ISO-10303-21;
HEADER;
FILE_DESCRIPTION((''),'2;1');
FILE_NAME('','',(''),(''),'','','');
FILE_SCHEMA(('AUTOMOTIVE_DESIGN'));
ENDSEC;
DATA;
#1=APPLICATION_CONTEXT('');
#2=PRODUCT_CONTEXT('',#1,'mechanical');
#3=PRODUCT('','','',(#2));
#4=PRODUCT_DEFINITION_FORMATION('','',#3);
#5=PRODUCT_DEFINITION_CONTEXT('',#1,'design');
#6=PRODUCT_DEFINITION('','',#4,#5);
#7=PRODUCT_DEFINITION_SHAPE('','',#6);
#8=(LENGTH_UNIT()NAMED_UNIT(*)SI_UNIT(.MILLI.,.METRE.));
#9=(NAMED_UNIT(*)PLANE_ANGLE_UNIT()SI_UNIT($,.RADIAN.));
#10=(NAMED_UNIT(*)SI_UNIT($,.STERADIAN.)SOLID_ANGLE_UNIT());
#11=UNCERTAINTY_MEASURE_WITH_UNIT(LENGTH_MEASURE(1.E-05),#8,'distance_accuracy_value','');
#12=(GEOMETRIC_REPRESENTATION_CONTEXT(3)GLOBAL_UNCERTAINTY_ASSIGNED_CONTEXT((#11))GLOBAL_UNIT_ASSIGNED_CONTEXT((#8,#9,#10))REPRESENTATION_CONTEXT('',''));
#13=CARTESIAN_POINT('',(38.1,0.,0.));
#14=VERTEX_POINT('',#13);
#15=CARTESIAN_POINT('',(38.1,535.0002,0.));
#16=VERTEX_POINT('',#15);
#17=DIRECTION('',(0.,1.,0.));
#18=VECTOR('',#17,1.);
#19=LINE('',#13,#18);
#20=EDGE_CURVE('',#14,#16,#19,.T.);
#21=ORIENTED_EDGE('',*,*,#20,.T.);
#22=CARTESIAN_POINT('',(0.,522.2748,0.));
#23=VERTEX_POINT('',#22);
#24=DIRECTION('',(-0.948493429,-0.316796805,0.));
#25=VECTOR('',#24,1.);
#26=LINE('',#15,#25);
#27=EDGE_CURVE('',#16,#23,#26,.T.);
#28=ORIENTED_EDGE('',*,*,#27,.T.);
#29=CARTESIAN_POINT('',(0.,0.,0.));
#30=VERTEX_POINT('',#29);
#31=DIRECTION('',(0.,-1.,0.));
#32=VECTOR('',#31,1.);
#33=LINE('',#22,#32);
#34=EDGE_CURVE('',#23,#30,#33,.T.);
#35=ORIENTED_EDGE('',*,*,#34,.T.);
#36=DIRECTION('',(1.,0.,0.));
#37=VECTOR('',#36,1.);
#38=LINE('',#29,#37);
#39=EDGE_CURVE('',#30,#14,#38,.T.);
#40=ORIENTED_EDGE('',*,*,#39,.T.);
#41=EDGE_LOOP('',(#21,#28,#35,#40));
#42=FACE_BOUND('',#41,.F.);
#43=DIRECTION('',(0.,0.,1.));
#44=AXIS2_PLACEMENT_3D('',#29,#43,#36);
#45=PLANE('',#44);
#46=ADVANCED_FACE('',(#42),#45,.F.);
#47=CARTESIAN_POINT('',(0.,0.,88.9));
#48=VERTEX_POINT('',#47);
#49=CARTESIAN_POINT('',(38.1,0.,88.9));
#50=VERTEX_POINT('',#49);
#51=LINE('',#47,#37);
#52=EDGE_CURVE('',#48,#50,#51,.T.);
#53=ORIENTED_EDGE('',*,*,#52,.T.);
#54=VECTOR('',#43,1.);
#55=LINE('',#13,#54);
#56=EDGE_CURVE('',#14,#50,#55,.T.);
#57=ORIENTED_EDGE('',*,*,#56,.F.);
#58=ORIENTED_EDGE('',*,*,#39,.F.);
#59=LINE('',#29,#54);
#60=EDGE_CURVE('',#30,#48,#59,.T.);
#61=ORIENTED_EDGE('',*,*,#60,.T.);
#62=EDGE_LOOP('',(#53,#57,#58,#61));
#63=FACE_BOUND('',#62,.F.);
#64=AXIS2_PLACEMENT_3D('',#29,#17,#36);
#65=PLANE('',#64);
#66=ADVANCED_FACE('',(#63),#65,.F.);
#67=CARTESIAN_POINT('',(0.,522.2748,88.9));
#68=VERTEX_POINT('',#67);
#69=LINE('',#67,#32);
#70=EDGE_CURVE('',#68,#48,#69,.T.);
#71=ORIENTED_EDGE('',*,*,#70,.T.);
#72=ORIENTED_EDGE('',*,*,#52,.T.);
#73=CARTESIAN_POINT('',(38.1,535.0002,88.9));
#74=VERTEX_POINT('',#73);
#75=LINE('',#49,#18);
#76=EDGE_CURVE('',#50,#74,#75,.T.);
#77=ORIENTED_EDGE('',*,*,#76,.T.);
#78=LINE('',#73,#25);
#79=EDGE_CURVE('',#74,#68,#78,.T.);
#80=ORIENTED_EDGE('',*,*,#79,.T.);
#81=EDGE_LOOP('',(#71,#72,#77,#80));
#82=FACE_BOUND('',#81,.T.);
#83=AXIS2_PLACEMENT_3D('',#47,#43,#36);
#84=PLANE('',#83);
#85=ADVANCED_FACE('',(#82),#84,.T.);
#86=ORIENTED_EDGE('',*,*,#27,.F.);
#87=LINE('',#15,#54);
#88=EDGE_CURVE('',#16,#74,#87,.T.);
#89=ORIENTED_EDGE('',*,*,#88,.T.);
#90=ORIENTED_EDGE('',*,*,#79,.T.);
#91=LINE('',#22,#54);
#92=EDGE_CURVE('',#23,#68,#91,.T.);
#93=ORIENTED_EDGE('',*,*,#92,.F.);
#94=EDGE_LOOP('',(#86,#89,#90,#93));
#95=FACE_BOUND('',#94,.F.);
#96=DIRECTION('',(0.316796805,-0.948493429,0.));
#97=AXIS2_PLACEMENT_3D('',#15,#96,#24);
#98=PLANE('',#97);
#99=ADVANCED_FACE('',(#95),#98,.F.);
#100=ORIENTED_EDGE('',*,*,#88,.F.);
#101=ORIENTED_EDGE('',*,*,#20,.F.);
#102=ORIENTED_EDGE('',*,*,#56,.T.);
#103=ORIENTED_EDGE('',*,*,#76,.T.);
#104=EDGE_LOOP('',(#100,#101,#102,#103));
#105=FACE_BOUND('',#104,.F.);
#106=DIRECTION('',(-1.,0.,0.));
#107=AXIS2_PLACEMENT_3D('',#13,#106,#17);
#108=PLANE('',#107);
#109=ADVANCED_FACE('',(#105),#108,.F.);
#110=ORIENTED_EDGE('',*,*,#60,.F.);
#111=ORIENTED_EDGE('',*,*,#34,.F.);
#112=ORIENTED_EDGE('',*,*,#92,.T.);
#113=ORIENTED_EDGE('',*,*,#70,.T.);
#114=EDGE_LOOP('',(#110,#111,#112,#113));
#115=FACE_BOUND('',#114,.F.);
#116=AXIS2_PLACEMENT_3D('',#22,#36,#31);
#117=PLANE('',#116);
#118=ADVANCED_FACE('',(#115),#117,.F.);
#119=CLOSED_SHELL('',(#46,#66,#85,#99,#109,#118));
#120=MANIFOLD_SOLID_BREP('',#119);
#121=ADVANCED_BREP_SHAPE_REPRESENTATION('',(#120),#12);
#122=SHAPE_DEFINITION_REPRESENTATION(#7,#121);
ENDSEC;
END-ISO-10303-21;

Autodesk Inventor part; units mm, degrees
ref_plane "YZ Plane" through (0, 0, 0) normal (1, 0, 0) x (0, 1, 0)
ref_plane "XZ Plane" through (0, 0, 0) normal (0, 1, 0) x (-1, 0, 0)
ref_plane "XY Plane" through (0, 0, 0) normal (0, 0, 1) x (1, 0, 0)
sketch "Sketch1" plane through (0, 0, 0) normal (0, 0, 1) x (1, 0, 0)
  line L0 (0, 0) -> (38.1, 0)
  line L1 (38.1, 0) -> (38.1, 535.0002)
  line L2 (38.1, 535.0002) -> (0, 522.2748)
  line L3 (0, 522.2748) -> (0, 0)
  dimension "d2" = 38.1
  dimension "d5" = 522.2748
  dimension "d6" = 535.0002
extrude "Extrusion1" add sketch "Sketch1" along normal blind 88.9
properties part number "Stud_Between_Top_Plate_And_Rafter_4" material "Wood (Birch)"
